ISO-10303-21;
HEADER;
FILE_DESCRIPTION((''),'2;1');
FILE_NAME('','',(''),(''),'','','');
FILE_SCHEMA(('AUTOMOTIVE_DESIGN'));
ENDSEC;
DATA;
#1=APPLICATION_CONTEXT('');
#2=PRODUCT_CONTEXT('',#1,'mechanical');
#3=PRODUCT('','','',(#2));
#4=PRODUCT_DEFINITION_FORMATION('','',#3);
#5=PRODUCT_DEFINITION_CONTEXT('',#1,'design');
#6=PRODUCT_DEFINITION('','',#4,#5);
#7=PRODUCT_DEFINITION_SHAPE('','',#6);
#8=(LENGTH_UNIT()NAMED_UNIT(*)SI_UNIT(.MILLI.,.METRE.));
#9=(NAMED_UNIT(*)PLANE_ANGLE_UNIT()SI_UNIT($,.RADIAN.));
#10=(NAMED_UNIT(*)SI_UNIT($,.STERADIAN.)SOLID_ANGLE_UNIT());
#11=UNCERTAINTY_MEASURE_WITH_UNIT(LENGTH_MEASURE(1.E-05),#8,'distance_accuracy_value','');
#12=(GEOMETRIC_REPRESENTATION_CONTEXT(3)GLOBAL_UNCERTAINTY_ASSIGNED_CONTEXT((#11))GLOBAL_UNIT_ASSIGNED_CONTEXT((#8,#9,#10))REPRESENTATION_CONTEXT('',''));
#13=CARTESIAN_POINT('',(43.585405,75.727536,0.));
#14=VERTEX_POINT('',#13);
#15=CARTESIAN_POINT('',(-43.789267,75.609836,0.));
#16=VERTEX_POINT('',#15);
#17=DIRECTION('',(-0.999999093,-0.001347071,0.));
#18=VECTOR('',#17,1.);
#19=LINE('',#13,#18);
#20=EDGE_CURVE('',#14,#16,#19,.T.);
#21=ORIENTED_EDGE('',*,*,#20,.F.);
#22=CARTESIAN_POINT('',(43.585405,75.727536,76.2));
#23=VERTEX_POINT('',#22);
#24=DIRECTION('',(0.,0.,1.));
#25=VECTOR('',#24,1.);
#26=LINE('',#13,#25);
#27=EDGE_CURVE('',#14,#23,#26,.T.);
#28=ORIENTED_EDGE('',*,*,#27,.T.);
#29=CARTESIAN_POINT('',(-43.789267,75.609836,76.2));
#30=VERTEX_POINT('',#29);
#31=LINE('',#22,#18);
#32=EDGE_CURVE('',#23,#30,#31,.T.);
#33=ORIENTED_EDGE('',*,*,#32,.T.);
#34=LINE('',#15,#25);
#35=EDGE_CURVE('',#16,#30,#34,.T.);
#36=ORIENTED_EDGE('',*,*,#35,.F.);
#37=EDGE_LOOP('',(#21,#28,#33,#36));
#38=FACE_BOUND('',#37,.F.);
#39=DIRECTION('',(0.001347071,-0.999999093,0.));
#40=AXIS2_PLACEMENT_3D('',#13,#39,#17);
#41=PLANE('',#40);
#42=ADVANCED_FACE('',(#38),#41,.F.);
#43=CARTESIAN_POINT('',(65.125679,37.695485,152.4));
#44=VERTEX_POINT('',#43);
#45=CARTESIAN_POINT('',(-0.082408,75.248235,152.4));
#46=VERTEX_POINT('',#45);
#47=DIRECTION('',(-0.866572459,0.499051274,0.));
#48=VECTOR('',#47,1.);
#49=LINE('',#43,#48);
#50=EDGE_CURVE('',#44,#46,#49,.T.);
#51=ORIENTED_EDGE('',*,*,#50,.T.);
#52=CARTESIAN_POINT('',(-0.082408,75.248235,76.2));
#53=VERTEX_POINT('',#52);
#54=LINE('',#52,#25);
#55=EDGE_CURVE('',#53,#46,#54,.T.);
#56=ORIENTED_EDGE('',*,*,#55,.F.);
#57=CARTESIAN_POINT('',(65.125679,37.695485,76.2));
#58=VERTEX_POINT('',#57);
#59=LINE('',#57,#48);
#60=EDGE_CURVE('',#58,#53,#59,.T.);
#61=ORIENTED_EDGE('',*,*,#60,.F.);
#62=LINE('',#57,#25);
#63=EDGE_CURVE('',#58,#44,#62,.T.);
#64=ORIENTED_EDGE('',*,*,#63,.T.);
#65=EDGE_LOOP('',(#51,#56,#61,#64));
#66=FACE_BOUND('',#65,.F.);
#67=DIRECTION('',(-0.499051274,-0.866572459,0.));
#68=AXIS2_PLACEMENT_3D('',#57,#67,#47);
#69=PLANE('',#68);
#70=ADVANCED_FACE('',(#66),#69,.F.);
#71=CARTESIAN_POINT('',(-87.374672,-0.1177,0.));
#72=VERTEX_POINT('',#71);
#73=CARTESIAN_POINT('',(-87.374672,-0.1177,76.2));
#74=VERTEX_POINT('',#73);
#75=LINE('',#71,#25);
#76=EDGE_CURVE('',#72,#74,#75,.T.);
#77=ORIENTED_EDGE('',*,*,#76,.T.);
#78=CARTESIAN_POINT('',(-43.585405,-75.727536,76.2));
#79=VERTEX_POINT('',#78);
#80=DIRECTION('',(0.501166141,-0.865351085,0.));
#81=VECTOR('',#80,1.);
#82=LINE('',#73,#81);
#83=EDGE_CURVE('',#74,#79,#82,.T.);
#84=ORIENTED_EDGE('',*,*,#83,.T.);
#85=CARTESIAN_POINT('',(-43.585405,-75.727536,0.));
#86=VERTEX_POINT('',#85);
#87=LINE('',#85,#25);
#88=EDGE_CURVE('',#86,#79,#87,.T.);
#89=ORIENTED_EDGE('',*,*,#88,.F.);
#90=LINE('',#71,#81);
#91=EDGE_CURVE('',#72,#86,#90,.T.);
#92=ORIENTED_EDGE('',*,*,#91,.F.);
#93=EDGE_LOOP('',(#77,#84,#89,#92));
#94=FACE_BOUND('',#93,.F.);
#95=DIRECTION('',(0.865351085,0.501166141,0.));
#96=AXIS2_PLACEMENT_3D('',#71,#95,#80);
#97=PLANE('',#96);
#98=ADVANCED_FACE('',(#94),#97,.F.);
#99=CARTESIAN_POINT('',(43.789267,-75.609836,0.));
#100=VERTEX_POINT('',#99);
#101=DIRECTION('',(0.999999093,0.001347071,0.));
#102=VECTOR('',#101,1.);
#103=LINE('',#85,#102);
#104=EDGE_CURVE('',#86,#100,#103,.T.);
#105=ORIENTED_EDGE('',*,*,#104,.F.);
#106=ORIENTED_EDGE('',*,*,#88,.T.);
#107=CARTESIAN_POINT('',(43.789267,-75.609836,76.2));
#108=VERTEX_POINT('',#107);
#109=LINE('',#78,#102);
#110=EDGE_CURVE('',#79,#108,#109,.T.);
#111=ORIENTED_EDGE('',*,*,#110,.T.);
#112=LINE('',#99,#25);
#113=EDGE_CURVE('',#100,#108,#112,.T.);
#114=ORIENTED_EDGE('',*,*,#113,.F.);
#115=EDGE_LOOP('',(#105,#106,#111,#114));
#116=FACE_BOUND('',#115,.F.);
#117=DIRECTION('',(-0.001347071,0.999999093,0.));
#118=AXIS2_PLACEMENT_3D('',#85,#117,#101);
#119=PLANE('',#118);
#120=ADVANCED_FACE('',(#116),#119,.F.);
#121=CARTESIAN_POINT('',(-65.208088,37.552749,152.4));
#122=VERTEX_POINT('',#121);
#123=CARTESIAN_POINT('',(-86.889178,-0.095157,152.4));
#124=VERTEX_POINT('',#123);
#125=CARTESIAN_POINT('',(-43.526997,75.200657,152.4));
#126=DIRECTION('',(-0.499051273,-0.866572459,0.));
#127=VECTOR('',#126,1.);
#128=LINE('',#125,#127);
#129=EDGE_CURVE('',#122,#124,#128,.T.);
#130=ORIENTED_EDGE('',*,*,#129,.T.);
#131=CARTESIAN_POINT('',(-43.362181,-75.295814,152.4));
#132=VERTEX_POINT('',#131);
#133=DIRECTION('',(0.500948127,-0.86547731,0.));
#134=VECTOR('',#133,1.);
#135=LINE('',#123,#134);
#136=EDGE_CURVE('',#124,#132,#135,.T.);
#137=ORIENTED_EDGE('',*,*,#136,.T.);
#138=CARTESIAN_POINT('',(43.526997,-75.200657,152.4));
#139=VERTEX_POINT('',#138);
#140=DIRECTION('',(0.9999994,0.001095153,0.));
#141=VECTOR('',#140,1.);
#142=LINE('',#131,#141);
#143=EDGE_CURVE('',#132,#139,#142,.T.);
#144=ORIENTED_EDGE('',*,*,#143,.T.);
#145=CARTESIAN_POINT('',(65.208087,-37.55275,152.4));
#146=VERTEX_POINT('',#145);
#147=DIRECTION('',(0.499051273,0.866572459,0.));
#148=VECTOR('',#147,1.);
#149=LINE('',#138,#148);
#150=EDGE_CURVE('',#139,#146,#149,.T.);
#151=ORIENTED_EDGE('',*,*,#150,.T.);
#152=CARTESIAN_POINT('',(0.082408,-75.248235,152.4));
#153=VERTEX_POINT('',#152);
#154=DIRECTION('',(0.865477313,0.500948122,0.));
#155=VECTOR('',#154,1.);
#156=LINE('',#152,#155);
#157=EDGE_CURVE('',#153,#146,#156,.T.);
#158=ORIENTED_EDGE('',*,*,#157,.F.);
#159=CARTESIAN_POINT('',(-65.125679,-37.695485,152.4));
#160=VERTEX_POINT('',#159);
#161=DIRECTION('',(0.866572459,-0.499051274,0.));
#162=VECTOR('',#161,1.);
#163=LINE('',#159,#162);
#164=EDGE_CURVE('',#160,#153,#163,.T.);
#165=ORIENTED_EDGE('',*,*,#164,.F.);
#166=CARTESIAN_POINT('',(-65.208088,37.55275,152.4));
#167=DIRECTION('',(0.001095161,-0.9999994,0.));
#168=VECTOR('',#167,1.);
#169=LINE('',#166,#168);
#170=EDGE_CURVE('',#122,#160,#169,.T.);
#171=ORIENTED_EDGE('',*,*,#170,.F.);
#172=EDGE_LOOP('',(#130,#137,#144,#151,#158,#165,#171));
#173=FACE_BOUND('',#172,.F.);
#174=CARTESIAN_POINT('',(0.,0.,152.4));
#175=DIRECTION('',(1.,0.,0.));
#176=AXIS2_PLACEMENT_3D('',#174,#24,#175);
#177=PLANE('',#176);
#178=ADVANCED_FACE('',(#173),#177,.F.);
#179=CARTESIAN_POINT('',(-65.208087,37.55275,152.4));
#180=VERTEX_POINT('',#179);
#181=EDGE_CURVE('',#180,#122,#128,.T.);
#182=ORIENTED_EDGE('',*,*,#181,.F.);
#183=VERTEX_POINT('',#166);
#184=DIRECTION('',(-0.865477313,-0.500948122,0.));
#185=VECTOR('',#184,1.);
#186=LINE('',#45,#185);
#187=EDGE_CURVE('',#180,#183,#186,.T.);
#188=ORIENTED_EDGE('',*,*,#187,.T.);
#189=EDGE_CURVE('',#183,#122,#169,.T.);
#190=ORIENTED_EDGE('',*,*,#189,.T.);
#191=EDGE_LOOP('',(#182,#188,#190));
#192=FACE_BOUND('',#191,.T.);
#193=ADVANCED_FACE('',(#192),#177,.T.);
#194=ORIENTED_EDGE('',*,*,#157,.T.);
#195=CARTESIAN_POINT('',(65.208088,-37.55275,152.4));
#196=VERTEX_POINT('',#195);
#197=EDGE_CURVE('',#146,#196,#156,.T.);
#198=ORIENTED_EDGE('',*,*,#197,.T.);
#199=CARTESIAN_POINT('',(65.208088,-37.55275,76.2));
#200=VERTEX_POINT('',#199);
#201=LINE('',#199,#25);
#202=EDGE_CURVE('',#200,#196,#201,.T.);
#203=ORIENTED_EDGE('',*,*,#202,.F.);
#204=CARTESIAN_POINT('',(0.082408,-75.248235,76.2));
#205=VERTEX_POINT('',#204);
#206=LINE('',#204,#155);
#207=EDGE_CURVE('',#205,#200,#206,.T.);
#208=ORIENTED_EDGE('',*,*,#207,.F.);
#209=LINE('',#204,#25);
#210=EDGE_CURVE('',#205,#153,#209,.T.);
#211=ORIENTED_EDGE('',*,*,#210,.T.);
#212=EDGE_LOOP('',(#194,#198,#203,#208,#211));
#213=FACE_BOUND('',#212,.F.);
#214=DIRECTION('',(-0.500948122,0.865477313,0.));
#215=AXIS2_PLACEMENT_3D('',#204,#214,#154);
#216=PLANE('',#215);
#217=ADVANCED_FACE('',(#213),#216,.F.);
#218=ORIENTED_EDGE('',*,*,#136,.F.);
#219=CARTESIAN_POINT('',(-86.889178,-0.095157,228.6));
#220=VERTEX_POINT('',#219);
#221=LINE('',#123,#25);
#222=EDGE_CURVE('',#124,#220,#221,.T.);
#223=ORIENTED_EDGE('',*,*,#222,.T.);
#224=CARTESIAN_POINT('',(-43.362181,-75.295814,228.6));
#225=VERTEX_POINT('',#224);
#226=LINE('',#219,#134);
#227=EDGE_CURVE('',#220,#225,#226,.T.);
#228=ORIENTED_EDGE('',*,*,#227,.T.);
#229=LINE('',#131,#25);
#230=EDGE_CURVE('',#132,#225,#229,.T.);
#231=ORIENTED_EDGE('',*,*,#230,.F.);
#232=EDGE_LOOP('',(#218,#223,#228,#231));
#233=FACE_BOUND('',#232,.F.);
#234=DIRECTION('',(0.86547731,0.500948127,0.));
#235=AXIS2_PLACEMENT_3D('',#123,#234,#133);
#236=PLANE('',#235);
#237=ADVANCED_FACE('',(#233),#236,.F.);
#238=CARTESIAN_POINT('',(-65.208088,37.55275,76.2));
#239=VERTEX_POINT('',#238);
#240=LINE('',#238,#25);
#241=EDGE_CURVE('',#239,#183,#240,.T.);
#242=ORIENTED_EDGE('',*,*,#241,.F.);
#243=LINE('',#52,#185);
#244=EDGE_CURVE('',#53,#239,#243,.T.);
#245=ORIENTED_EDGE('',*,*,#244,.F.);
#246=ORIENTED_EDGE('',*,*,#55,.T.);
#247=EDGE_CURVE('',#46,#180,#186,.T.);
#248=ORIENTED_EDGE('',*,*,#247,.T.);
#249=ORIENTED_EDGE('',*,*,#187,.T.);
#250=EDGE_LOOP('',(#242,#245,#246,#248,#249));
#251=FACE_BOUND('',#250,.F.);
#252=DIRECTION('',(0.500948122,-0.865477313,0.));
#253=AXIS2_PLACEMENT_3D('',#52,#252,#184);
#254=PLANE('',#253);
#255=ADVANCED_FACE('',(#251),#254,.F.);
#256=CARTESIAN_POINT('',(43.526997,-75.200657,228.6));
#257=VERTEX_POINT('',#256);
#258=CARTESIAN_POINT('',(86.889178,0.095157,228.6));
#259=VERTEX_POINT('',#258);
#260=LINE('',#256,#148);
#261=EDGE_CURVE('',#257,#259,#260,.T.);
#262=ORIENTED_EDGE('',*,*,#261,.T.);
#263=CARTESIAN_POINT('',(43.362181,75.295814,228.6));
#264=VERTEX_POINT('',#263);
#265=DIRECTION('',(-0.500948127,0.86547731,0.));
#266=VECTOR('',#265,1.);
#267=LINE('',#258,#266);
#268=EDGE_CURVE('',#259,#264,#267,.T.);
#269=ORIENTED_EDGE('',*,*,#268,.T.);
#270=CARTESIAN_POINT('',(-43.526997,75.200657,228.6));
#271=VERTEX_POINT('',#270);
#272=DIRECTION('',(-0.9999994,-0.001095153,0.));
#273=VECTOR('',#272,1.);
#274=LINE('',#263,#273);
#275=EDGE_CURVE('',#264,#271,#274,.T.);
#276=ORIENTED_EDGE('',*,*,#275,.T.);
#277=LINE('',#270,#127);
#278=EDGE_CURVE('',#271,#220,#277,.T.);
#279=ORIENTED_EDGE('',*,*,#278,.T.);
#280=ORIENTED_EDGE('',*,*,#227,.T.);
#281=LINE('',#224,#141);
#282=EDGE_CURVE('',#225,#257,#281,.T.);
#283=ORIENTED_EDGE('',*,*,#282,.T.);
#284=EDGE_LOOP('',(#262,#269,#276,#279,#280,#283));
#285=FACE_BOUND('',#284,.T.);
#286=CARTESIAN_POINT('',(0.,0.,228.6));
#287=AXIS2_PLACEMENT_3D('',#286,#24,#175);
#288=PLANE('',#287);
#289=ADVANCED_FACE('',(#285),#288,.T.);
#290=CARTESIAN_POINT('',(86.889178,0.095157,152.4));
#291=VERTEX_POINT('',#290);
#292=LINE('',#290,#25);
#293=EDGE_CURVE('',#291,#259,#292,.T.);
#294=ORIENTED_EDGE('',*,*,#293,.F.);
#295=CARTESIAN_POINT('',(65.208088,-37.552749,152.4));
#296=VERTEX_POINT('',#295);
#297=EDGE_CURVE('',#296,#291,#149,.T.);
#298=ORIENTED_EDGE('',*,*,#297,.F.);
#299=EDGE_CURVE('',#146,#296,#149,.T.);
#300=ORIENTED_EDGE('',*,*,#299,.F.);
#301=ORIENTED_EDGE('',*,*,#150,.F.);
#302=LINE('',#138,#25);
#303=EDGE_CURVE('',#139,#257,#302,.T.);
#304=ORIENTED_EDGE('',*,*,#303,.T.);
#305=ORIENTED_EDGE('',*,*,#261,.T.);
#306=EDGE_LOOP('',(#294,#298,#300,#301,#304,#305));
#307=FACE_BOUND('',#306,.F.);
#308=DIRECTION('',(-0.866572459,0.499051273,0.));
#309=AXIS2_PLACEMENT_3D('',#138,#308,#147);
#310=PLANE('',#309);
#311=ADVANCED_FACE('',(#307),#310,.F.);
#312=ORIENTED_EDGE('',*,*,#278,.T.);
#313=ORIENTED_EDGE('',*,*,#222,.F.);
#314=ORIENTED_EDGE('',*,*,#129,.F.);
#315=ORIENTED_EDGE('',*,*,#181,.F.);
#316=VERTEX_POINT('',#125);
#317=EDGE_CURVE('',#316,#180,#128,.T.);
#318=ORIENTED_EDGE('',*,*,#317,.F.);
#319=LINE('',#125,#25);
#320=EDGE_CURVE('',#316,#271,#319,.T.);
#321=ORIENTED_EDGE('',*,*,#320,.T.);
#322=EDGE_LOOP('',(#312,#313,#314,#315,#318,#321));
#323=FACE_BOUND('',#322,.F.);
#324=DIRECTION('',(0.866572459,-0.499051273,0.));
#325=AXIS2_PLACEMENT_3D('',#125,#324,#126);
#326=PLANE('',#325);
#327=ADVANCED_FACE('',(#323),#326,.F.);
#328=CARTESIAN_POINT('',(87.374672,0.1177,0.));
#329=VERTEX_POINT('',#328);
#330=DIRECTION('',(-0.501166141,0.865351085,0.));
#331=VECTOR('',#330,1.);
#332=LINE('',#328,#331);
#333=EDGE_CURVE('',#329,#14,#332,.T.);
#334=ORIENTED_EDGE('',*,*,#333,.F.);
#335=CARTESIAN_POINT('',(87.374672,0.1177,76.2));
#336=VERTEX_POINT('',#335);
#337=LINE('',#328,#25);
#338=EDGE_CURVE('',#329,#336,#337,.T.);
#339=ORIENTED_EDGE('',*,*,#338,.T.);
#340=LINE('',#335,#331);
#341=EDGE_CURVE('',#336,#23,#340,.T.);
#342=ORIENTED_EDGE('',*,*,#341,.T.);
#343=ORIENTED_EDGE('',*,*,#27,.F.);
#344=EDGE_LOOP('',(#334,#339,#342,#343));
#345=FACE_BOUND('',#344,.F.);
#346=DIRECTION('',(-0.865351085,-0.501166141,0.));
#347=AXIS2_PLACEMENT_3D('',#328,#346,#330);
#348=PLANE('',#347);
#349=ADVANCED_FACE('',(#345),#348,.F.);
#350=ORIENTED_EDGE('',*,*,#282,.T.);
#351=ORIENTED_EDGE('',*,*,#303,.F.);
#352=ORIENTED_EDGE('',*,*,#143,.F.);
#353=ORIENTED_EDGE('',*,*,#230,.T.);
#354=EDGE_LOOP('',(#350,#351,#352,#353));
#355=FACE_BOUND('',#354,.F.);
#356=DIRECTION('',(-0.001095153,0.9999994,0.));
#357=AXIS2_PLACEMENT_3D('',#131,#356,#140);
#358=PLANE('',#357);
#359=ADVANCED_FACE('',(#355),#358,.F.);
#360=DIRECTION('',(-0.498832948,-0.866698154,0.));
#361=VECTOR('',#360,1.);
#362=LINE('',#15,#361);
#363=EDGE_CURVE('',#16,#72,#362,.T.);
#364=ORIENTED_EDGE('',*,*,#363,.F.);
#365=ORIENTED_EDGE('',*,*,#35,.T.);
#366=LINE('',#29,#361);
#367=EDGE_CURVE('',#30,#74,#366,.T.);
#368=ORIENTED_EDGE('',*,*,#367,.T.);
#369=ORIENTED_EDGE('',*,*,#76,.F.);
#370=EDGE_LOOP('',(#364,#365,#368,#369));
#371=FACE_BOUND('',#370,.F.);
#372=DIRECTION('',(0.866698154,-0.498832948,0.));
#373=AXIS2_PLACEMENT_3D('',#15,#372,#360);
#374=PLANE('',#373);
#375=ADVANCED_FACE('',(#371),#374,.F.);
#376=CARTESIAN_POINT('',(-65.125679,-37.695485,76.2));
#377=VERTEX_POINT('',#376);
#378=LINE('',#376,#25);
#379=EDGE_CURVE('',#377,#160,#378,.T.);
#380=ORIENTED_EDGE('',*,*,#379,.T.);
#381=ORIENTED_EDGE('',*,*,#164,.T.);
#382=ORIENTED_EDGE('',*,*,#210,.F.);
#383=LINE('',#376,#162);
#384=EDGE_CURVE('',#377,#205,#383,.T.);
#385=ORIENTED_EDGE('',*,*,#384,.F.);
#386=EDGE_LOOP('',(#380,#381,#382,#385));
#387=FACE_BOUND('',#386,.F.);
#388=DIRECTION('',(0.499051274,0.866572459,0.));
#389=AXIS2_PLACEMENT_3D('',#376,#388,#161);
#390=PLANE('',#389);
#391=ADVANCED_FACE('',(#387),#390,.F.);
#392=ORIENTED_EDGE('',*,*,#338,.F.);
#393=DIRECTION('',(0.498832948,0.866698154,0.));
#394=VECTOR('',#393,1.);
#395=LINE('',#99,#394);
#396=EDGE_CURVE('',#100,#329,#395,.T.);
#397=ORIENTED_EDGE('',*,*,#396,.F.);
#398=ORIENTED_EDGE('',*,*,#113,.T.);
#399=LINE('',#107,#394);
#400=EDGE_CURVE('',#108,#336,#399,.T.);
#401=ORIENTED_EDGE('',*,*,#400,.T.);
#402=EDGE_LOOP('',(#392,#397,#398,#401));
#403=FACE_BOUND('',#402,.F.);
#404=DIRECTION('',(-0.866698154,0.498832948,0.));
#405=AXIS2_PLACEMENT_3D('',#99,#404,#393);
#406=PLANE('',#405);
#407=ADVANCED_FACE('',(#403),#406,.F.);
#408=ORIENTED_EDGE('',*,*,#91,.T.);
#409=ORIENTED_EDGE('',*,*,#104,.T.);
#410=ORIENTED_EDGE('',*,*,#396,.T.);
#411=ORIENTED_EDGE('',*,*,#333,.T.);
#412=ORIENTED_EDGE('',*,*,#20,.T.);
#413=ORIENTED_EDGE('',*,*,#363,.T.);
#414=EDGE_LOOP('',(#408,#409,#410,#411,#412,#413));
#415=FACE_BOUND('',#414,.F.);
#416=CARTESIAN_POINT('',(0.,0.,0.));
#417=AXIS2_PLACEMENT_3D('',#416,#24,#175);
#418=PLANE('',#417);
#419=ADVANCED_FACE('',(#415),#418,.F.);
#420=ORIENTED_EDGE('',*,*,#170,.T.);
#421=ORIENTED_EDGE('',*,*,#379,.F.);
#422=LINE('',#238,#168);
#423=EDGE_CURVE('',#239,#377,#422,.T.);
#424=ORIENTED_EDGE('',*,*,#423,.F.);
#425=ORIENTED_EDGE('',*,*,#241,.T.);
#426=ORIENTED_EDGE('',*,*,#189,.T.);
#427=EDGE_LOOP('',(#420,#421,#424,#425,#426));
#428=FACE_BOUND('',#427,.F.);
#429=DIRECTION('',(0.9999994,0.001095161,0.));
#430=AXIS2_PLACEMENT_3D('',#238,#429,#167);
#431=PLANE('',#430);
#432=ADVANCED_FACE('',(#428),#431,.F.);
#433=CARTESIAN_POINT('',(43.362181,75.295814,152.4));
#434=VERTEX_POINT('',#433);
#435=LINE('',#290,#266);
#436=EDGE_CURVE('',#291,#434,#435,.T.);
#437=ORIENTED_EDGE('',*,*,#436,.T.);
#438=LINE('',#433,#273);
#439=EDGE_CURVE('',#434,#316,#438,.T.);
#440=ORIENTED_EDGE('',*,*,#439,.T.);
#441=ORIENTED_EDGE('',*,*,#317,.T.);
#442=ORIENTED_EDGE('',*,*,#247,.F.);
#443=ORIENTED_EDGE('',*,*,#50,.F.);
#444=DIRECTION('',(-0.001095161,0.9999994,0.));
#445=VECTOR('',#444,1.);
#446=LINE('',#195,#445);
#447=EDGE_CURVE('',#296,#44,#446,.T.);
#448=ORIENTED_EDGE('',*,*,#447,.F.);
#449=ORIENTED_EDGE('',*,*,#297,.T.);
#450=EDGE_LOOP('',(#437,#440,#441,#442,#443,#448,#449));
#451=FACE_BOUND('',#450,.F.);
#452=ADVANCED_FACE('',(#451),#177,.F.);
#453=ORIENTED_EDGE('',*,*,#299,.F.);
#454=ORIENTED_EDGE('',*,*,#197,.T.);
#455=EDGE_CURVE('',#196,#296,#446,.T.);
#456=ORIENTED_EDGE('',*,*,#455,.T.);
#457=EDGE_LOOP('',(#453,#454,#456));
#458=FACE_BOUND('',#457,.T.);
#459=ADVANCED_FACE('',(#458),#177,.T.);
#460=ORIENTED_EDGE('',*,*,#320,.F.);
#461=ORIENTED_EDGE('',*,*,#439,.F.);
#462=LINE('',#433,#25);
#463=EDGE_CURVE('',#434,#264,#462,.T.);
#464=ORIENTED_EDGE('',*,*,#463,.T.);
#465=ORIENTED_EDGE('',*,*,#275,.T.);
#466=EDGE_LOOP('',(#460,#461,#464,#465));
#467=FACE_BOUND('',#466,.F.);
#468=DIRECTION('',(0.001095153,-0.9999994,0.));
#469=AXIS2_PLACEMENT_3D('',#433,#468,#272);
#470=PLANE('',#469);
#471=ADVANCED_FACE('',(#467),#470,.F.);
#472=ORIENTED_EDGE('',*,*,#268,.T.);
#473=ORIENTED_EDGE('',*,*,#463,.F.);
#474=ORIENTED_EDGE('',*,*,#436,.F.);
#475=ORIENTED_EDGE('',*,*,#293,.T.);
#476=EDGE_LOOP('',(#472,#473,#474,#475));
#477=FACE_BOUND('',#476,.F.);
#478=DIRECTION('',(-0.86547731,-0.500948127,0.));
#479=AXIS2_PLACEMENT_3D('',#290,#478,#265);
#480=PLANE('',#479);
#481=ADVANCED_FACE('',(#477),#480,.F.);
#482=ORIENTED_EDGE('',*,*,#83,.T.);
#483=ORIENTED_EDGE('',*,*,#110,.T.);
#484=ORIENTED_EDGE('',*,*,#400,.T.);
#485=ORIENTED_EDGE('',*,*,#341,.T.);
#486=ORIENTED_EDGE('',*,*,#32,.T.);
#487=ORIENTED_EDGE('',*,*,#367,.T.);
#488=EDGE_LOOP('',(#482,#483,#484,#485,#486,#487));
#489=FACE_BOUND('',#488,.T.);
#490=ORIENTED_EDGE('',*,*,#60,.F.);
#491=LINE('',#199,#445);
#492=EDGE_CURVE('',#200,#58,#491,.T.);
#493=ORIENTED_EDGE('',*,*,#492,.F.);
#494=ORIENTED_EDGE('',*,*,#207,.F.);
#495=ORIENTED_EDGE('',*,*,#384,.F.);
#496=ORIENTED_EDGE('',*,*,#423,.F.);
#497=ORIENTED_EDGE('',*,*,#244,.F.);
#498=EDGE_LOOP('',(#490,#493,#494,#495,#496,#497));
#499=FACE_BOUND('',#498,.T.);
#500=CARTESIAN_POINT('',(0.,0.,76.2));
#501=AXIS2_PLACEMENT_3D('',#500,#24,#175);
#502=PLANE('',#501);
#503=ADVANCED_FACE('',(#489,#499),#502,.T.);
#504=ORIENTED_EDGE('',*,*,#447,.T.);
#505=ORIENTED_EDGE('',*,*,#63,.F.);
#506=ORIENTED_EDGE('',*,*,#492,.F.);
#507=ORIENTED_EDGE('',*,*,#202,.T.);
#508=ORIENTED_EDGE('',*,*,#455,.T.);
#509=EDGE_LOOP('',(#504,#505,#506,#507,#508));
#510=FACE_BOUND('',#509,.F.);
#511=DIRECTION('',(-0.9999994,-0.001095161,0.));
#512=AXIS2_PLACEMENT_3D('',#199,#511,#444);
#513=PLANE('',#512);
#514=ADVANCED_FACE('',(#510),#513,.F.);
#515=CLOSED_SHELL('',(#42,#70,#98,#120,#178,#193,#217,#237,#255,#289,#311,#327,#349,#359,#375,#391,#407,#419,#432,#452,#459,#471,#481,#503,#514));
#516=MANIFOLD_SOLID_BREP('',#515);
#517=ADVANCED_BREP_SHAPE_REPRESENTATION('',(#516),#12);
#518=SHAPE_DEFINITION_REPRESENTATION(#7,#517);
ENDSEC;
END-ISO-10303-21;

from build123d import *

# Parameters (mm, degrees)
F1_DEPTH = 76.2
F3_DEPTH = 76.2
F5_DEPTH = 76.2


with BuildPart() as f1:
    # F0 (on Top) → F1 (new body)
    with BuildSketch(Plane.XY):
        Polygon((43.789267, -75.609836), (87.374672, 0.1177), (43.585405, 75.727536), (-43.789267, 75.609836), (-87.374672, -0.1177), (-43.585405, -75.727536), align=None)
    extrude(amount=F1_DEPTH)

    # F2 (on face) → F3 (join)
    with BuildSketch(Plane.XY.offset(76.2)):
        Polygon((-0.082408, 75.248235), (-65.208088, 37.55275), (-65.125679, -37.695485), (0.082408, -75.248235), (65.208088, -37.55275), (65.125679, 37.695485), align=None)
    extrude(amount=F3_DEPTH)

    # F4 (on face) → F5 (join)
    with BuildSketch(Plane.XY.offset(152.4)):
        Polygon((43.526997, -75.200657), (86.889178, 0.095157), (43.362181, 75.295814), (-43.526997, 75.200657), (-86.889178, -0.095157), (-43.362181, -75.295814), align=None)
    extrude(amount=F5_DEPTH)


solid = f1.part
